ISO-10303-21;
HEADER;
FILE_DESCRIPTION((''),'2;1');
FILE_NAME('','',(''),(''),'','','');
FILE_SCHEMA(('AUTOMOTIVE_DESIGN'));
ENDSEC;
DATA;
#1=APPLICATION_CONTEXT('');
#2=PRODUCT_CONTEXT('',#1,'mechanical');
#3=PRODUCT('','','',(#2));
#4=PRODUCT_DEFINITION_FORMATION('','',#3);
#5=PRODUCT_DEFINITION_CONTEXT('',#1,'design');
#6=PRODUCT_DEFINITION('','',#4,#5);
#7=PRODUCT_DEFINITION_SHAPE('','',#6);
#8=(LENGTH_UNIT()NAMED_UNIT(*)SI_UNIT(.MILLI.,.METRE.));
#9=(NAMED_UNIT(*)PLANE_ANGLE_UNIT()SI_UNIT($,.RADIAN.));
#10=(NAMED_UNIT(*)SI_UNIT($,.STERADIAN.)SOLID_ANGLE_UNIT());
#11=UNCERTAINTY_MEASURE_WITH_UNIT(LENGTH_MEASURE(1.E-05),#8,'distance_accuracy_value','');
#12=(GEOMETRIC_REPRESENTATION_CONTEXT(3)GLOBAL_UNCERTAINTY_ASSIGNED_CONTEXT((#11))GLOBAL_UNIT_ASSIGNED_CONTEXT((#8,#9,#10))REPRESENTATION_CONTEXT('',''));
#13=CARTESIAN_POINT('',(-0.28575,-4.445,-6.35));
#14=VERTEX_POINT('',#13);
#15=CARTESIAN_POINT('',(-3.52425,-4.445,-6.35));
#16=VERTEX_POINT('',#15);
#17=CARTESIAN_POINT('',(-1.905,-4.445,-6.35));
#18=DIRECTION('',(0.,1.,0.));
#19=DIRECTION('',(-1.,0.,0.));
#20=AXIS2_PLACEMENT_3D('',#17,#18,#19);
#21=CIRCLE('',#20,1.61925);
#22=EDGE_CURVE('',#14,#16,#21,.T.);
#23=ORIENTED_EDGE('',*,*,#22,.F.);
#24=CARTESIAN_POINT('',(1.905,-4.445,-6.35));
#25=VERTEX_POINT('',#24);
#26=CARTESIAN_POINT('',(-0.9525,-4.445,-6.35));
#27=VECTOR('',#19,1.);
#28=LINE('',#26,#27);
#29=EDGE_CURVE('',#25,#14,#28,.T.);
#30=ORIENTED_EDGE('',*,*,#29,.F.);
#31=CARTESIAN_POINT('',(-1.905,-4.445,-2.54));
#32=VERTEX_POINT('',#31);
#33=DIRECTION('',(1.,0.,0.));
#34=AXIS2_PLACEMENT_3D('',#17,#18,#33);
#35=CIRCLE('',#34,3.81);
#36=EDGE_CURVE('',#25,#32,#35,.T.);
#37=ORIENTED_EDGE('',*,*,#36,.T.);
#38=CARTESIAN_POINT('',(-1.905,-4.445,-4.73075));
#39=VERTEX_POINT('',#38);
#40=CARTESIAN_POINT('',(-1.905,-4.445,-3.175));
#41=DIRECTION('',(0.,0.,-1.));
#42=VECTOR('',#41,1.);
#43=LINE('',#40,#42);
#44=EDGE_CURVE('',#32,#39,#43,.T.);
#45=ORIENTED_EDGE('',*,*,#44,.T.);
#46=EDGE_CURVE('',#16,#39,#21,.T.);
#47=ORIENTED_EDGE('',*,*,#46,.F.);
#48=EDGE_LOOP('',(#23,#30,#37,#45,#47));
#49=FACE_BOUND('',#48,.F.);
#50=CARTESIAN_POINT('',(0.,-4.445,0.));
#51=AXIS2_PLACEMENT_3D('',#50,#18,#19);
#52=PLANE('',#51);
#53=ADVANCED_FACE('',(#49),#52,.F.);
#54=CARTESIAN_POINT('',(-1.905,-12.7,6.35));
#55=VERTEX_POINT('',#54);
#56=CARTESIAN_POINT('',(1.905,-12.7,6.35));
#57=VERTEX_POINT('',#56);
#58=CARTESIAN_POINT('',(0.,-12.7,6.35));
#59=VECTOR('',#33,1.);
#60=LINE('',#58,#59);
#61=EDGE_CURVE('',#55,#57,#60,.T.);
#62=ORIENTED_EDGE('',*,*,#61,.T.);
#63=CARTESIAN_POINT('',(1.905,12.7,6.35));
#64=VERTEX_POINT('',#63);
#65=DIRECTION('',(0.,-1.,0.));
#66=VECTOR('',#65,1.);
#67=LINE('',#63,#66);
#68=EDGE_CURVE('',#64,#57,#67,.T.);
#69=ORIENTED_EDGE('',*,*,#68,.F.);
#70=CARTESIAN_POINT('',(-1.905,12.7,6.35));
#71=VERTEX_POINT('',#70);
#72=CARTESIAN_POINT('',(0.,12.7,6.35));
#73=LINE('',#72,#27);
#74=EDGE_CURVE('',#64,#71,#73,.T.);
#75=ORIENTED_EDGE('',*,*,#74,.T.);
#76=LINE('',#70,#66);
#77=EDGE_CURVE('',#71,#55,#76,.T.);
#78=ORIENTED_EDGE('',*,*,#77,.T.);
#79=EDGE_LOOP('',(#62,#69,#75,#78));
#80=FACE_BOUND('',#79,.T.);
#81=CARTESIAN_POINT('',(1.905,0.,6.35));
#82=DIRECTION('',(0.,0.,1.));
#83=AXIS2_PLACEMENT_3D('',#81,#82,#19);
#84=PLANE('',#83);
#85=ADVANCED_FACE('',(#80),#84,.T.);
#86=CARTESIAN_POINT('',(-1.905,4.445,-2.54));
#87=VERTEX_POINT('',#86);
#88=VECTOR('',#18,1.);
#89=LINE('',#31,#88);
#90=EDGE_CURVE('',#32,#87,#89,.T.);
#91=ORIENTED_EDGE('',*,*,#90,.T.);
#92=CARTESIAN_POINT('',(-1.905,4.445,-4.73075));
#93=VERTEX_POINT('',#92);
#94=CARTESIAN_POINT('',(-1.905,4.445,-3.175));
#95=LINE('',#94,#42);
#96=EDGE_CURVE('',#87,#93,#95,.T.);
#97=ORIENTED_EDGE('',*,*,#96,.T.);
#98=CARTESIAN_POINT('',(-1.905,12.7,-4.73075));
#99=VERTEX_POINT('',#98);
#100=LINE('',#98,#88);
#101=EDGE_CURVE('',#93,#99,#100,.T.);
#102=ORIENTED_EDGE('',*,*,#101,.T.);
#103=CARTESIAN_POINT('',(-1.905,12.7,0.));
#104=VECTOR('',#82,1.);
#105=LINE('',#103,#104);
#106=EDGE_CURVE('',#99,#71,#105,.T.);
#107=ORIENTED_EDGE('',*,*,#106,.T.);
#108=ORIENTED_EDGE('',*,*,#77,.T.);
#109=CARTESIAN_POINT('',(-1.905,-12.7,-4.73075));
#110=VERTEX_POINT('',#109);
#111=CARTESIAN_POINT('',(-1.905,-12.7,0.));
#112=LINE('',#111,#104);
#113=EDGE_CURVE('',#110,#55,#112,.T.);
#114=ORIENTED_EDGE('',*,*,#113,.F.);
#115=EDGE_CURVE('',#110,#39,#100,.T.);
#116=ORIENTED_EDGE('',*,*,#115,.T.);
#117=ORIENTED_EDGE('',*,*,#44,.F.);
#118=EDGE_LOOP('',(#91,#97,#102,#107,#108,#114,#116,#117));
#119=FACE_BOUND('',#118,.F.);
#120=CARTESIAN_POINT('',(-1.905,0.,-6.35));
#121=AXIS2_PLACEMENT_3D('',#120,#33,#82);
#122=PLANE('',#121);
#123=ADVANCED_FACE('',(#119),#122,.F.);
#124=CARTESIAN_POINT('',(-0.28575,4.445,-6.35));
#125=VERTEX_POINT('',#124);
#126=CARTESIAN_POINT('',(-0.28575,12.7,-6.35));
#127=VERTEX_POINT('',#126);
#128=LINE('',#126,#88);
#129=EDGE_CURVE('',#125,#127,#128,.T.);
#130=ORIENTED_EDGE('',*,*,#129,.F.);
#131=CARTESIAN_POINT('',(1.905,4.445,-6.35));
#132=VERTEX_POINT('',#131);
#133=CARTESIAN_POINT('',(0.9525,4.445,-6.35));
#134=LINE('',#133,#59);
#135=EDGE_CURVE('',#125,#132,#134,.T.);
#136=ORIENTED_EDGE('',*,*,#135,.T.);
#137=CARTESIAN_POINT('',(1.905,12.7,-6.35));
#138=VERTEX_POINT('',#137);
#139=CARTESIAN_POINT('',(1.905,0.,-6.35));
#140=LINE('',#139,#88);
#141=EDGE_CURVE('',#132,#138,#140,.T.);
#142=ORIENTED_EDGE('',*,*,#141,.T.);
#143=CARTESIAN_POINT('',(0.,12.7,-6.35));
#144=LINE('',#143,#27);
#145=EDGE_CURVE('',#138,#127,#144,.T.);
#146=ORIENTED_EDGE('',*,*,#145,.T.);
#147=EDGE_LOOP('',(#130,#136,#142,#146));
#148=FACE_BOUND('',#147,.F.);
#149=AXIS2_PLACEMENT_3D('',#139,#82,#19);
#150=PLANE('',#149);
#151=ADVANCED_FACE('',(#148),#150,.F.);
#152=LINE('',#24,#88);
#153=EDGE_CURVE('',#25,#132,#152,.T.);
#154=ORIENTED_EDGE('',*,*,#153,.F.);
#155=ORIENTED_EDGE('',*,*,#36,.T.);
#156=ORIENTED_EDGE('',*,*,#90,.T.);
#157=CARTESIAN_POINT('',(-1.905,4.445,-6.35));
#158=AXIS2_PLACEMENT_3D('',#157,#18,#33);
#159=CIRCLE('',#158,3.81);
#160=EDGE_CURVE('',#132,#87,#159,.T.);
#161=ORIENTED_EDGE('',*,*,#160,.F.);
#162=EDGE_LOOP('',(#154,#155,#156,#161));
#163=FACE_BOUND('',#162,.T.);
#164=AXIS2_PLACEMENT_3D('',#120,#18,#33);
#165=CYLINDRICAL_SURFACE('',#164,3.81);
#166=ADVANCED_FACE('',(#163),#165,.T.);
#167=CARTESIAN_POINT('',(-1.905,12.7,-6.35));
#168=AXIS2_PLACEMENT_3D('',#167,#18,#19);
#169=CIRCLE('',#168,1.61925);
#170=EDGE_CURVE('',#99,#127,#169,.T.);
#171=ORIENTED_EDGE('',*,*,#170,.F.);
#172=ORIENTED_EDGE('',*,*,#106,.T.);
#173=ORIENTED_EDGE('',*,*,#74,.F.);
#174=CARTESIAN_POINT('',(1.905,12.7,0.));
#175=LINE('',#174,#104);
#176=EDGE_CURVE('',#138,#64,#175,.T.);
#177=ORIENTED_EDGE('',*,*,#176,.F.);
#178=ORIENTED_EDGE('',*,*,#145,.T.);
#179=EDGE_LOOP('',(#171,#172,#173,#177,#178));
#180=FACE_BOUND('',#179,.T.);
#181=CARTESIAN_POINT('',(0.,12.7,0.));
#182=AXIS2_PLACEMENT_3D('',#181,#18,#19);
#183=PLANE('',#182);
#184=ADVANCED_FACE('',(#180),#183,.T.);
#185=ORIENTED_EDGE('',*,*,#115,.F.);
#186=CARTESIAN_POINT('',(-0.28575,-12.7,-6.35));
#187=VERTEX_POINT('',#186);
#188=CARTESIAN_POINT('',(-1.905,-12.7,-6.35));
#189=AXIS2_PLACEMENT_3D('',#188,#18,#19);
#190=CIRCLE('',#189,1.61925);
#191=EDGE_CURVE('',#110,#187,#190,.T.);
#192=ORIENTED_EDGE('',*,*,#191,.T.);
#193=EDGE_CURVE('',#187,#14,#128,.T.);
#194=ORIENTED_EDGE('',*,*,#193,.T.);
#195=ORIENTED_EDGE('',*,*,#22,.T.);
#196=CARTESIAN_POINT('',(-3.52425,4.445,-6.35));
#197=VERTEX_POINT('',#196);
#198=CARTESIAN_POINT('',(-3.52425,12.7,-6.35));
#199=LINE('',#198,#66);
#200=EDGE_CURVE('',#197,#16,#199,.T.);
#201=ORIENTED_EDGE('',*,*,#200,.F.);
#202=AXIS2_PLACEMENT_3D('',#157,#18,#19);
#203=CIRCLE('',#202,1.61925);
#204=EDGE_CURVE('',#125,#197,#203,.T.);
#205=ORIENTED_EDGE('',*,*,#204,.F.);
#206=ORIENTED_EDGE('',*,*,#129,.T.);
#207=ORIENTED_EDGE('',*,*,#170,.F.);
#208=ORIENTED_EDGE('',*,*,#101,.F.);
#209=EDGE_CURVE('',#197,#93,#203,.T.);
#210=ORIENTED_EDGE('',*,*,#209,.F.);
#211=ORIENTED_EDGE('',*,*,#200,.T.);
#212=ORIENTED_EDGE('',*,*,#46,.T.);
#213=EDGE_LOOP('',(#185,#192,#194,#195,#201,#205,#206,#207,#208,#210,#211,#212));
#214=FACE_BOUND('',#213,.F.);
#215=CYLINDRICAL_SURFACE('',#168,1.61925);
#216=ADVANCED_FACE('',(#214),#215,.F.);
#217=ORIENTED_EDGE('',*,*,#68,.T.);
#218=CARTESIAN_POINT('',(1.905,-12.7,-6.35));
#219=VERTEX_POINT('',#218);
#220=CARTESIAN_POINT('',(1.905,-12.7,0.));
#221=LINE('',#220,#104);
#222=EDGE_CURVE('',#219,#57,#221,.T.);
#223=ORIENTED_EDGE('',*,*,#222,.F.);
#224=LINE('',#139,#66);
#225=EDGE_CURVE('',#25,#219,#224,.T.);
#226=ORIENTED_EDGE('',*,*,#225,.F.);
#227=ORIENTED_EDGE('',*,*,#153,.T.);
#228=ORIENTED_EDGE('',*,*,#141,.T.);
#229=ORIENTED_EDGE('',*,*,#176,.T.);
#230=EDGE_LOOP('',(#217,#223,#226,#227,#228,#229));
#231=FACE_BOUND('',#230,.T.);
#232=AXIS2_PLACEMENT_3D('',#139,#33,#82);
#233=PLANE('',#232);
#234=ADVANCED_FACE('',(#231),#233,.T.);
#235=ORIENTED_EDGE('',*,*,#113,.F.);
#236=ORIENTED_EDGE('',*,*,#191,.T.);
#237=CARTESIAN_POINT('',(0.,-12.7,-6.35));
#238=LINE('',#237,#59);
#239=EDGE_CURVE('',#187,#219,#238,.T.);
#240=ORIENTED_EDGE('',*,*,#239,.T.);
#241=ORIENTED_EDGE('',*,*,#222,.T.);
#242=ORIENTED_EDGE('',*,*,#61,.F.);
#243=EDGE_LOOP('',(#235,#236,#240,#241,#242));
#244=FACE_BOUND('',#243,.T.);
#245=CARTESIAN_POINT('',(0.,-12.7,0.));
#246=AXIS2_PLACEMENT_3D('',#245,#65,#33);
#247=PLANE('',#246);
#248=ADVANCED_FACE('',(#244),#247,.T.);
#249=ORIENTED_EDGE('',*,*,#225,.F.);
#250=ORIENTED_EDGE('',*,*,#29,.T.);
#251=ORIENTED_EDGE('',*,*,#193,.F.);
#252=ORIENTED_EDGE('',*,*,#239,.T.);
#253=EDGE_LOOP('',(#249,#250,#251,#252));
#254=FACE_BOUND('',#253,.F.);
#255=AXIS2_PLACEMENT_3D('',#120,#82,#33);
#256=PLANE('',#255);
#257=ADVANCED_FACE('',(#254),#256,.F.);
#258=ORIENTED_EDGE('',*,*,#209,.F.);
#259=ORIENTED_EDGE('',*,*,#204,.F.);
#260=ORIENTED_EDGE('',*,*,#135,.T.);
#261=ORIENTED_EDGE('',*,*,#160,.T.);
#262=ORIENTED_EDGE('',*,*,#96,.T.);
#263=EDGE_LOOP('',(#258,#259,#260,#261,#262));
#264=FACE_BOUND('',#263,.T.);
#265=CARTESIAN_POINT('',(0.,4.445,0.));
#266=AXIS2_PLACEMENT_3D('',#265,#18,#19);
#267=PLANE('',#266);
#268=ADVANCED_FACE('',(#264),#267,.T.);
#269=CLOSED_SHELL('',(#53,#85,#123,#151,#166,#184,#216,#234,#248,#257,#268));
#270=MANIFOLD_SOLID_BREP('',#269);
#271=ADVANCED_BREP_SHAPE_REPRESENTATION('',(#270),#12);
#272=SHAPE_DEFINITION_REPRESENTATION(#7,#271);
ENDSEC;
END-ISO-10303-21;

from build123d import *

# Parameters (mm, degrees)
F0_W     = 3.81
F0_H     = 12.7
F1_DEPTH = 12.7
F3_DEPTH = 4.445
F4_W     = 3.81
F4_H     = 12.7
F5_DEPTH = 12.7
F6_R     = 1.61925
F7_DEPTH = 25.4


with BuildPart() as f1:
    # F0 (on Front) → F1 (new body)
    with BuildSketch(Plane.XZ):
        Rectangle(F0_W, F0_H)
    extrude(amount=F1_DEPTH)

    # F2 (on face) → F3 (join, symmetric)
    with BuildSketch(Plane(origin=(0, 0, 0), x_dir=(-1, 0, 0), z_dir=(0, 1, 0))):
        Polygon((-1.905, 6.35), (-1.905, -6.35), (1.905, -6.35), (1.905, -2.54), (1.905, 6.35), align=None)
        with BuildLine():
            Line((1.905, -6.35), (-1.905, -6.35))
            ThreePointArc((-1.905, -6.35), (4.5990768363, -9.0440768363), (1.905, -2.54))
            Line((1.905, -2.54), (1.905, -6.35))
        make_face()
    extrude(amount=F3_DEPTH, both=True)

    # F4 (on face) → F5 (join)
    with BuildSketch(Plane(origin=(0, 0, 0), x_dir=(-1, 0, 0), z_dir=(0, 1, 0))):
        Rectangle(F4_W, F4_H)
    extrude(amount=F5_DEPTH)

    # F6 (on face) → F7 (cut)
    with BuildSketch(Plane(origin=(0, 12.7, 0), x_dir=(-1, 0, 0), z_dir=(0, 1, 0))):
        with Locations((1.905, -6.35)):
            Circle(F6_R)
    extrude(amount=-F7_DEPTH, mode=Mode.SUBTRACT)


solid = f1.part
